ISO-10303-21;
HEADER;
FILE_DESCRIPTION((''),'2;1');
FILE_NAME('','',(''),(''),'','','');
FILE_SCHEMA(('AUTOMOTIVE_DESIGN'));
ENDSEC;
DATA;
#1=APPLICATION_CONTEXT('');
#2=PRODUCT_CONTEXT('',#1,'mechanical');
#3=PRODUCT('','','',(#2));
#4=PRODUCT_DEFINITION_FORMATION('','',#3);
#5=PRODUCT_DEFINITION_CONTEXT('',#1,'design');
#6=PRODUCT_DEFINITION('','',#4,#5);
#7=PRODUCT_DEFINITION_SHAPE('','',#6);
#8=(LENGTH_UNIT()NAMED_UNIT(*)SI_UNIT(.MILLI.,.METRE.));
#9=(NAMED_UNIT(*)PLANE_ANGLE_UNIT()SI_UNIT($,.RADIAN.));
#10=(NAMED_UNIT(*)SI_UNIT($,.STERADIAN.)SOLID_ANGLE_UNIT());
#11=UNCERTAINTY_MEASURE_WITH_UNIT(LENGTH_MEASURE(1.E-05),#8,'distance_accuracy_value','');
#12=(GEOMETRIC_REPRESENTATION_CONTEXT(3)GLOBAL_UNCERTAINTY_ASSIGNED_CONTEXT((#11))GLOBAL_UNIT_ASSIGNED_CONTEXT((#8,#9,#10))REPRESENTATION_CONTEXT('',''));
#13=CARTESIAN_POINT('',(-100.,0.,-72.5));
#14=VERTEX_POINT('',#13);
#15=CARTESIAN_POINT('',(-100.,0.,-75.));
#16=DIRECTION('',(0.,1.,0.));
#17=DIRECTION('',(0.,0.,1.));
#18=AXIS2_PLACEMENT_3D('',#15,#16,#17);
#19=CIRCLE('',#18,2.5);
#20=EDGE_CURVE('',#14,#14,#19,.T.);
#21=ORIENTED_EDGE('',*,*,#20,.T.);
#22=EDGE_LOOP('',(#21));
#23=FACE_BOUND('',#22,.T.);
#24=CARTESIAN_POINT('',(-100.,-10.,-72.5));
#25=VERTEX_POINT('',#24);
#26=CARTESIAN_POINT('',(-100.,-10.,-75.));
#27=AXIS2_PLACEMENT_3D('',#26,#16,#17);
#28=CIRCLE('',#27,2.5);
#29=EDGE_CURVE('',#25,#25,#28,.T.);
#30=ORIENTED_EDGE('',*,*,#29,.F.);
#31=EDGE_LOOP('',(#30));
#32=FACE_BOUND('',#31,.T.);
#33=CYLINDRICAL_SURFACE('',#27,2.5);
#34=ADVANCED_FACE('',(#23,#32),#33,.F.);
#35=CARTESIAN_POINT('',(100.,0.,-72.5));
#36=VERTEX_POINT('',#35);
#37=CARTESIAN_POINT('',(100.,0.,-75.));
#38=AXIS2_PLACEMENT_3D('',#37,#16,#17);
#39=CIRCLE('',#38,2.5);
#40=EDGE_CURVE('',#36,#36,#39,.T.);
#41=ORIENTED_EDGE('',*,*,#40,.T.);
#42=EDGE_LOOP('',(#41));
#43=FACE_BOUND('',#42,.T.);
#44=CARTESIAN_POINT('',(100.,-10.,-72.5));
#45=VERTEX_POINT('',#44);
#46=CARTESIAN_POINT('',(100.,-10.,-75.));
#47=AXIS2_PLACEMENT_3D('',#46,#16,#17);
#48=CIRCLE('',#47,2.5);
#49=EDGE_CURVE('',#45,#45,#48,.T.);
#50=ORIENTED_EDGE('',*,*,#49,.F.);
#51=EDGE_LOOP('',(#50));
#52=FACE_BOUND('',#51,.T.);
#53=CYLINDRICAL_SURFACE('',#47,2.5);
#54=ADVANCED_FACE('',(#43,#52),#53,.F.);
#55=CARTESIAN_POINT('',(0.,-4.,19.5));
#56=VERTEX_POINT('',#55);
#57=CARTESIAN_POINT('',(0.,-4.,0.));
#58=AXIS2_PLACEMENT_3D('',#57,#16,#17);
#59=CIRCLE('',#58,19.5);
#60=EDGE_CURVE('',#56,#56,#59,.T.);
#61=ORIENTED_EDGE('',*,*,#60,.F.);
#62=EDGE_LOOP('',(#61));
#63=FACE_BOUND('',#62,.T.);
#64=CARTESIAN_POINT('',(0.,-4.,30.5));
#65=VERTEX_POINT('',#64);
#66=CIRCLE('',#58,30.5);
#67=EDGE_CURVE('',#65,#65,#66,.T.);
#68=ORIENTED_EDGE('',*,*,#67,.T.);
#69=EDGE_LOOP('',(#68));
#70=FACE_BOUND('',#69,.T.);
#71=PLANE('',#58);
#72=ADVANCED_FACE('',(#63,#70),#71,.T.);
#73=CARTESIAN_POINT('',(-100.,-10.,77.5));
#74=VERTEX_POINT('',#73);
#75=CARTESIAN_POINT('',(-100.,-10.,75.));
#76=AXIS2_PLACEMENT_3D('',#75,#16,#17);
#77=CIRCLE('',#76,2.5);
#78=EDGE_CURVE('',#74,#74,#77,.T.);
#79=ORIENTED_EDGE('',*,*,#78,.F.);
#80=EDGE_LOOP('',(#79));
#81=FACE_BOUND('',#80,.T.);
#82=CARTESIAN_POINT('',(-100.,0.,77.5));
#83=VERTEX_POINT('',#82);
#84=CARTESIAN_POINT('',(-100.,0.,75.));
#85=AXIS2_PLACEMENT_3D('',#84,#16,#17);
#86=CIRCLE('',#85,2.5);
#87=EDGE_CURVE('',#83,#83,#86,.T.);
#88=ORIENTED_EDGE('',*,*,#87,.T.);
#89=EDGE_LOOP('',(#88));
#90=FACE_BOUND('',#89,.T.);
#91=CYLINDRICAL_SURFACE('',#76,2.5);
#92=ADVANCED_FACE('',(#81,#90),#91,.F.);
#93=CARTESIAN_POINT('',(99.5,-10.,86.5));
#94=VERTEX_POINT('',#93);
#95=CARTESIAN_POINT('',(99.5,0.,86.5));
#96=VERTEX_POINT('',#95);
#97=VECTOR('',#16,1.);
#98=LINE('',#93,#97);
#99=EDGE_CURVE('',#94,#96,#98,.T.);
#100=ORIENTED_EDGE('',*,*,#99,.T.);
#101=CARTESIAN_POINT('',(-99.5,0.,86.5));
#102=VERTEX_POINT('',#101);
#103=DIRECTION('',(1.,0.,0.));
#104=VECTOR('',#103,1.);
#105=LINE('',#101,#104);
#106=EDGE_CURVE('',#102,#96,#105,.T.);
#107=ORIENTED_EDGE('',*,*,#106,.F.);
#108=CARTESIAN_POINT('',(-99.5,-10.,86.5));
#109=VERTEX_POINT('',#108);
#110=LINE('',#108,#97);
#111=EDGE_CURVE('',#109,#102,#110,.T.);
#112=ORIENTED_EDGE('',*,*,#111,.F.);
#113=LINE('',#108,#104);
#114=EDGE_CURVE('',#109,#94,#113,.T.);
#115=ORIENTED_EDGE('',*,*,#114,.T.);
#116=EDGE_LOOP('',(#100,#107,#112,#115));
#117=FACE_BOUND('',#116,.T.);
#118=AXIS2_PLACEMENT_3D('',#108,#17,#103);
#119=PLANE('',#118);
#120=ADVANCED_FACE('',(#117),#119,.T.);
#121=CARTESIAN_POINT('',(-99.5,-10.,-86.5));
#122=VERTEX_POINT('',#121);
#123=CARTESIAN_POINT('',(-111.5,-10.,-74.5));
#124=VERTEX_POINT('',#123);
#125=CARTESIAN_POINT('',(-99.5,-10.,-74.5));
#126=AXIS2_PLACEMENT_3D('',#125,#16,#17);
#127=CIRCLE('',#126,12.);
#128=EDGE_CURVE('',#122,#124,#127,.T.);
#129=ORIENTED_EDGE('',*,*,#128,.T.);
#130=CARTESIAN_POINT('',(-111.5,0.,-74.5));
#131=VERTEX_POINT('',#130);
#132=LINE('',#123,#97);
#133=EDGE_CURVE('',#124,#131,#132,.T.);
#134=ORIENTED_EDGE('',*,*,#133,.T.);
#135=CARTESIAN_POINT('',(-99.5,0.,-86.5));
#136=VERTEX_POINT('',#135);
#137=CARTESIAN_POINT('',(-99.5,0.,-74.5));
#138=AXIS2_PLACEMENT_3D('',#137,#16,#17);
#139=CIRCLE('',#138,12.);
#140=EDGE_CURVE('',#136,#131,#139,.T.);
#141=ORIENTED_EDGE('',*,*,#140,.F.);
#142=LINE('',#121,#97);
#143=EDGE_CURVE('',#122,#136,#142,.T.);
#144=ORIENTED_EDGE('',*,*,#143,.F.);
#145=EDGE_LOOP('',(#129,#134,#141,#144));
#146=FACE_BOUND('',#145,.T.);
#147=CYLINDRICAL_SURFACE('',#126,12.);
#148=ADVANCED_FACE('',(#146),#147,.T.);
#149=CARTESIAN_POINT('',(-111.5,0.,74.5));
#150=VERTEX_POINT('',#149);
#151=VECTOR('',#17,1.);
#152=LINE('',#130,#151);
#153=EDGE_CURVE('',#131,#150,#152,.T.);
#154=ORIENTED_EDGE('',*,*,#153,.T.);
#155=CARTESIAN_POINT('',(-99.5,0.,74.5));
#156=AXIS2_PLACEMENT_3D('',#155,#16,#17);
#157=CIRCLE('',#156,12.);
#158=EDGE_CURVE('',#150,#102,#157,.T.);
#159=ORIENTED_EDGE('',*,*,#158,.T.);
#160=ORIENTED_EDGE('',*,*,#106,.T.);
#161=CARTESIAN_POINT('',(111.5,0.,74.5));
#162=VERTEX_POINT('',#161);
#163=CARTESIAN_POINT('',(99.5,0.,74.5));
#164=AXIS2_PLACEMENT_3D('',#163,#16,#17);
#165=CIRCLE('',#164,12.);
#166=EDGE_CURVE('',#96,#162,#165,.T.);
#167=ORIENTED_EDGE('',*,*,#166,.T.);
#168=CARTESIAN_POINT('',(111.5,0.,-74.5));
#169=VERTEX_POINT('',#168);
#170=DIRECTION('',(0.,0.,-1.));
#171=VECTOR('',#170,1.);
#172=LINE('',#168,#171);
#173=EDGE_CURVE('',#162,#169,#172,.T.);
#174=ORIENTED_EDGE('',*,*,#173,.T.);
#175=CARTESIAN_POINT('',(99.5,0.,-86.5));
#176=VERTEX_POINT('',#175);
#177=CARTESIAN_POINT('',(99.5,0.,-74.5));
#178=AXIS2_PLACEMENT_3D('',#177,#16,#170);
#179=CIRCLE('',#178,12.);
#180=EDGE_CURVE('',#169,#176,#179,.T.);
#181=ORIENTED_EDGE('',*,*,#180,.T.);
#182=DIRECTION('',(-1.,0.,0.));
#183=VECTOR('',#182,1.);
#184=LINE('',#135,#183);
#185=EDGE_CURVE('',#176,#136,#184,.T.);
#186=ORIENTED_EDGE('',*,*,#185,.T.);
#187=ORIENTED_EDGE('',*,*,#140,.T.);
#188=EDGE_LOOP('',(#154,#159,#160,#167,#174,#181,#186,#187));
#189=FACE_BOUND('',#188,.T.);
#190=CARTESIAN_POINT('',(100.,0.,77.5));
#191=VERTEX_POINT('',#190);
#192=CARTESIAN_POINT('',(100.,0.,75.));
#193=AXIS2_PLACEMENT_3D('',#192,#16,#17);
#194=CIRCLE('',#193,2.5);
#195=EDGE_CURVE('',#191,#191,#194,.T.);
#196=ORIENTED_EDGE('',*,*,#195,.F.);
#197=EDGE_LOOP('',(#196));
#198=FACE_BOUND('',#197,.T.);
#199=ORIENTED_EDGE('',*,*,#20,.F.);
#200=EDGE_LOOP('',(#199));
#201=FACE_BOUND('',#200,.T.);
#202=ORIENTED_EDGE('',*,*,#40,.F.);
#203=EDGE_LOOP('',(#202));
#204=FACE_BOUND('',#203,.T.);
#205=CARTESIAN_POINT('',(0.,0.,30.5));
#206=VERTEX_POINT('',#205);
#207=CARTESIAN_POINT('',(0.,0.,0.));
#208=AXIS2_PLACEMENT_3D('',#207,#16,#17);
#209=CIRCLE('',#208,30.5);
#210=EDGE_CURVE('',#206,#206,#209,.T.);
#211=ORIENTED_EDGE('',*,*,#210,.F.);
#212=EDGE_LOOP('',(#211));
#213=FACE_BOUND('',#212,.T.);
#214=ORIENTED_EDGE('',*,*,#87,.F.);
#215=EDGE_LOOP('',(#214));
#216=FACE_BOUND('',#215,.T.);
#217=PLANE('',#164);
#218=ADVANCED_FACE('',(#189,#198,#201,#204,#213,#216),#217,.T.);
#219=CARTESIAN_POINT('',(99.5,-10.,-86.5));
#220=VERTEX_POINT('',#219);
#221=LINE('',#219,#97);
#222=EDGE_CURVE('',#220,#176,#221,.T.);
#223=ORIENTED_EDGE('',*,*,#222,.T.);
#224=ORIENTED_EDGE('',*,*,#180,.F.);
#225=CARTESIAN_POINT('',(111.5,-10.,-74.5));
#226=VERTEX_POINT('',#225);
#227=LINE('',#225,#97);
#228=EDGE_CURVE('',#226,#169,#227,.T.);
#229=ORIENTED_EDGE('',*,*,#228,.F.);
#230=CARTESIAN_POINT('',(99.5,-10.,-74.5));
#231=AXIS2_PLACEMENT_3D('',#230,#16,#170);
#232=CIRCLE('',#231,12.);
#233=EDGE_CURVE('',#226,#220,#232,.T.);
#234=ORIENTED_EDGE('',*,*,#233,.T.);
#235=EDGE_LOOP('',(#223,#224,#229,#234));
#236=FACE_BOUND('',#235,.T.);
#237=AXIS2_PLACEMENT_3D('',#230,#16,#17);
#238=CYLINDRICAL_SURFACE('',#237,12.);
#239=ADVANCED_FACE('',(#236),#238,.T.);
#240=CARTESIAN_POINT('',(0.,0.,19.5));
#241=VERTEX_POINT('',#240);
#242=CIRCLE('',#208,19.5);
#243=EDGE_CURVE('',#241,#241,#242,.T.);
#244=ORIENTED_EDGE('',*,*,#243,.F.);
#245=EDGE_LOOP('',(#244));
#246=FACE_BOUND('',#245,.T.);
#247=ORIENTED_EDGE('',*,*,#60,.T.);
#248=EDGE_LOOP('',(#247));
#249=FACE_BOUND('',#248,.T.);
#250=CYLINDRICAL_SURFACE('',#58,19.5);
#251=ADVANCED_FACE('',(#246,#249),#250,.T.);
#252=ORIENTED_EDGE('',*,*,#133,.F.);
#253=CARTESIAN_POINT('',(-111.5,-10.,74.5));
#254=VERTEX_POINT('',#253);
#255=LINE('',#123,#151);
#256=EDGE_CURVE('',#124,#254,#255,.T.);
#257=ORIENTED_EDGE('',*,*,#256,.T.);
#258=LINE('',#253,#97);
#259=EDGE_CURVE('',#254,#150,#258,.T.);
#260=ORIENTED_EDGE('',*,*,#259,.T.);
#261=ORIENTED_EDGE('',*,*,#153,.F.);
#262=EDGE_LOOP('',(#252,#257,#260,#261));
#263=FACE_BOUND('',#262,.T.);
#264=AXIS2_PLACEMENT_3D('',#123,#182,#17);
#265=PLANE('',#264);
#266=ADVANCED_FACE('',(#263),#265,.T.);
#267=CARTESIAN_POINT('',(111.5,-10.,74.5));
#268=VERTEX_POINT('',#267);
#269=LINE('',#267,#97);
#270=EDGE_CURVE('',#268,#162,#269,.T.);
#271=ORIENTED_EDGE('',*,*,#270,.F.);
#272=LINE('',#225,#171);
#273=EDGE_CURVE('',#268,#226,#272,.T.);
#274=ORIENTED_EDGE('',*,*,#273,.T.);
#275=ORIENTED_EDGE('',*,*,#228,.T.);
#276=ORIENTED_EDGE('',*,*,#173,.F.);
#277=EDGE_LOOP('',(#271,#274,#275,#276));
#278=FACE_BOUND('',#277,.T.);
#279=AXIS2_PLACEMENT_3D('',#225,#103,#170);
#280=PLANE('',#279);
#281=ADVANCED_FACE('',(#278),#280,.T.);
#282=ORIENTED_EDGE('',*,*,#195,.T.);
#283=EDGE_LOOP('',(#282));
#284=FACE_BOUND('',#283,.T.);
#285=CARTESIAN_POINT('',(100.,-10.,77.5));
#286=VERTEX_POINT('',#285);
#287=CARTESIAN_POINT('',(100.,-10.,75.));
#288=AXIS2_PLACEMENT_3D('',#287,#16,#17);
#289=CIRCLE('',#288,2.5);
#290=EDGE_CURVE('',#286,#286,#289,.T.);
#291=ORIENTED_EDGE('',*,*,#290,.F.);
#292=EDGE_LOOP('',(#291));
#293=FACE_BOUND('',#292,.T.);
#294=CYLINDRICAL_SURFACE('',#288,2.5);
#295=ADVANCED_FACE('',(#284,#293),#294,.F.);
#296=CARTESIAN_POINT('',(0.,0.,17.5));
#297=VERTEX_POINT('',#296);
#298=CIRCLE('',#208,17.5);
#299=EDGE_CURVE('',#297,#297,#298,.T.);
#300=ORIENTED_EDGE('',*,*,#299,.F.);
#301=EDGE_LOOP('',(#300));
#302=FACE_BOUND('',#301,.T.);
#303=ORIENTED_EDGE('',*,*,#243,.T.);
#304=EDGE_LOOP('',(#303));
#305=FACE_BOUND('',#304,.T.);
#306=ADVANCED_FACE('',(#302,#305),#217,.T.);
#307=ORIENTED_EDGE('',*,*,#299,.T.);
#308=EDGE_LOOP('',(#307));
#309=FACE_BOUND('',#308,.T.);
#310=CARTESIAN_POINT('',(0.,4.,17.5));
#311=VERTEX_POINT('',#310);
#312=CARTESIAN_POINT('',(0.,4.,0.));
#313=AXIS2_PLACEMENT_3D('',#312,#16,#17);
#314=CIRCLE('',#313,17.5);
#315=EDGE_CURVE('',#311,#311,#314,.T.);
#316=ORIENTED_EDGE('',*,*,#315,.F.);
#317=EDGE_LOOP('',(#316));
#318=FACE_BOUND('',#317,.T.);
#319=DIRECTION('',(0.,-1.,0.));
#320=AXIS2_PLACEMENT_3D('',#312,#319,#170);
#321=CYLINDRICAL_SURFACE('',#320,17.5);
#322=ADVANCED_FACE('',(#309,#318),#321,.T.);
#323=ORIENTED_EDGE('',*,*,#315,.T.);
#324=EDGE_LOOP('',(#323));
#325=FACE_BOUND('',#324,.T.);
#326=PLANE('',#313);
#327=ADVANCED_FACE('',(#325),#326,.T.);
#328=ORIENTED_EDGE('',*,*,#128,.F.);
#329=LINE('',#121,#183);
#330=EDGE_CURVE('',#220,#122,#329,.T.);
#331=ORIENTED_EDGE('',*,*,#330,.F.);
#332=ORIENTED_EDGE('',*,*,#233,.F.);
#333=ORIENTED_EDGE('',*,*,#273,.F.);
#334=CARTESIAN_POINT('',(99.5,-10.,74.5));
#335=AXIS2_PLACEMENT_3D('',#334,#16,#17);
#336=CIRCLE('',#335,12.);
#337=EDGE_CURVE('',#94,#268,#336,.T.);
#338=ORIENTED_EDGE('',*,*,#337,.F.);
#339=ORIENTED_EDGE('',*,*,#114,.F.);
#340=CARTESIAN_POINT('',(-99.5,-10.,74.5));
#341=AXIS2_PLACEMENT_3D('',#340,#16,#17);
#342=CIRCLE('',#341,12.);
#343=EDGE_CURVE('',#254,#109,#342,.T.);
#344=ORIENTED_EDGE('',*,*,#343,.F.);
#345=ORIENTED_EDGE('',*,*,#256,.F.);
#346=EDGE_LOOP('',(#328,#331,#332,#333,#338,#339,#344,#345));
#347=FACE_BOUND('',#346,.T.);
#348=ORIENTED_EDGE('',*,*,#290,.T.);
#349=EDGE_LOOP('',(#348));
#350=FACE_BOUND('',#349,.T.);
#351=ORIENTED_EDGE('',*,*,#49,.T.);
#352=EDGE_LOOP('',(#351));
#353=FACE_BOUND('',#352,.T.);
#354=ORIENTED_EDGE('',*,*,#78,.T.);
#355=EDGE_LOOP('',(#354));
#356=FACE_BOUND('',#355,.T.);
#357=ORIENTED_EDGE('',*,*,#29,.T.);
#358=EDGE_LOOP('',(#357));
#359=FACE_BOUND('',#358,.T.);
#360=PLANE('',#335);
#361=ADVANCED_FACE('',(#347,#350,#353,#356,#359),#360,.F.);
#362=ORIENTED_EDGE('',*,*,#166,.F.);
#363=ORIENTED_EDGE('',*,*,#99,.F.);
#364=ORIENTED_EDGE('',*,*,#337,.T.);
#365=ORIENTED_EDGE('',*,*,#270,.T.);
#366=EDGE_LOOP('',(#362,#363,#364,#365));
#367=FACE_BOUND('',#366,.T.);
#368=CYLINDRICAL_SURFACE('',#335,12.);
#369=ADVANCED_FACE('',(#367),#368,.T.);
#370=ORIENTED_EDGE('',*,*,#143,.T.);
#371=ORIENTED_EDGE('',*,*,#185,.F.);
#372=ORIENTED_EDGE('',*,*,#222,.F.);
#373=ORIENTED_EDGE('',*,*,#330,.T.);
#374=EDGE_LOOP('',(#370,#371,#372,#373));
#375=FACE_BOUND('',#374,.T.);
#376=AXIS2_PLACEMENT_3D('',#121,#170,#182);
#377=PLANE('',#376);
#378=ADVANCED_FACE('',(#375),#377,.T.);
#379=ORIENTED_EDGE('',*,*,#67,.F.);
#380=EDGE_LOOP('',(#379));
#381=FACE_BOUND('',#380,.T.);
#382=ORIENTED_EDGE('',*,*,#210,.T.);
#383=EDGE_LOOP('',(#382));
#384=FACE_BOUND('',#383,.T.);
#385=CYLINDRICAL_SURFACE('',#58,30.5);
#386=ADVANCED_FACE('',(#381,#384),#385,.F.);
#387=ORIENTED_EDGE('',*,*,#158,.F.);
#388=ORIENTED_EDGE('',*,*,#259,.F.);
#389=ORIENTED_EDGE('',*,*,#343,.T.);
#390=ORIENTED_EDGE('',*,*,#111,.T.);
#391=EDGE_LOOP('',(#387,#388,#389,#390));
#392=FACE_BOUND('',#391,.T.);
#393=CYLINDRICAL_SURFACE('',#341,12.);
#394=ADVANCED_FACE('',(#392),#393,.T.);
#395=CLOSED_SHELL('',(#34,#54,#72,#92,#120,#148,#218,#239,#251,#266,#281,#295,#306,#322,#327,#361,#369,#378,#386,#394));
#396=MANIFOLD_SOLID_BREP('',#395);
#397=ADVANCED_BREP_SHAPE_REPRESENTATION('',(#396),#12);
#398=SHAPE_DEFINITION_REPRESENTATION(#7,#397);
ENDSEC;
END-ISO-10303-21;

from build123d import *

# Parameters (mm, degrees)
SKETCH1_R           = 2.5
BOSS_EXTRUDE1_DEPTH = 10
SKETCH2_R           = 30.5
SKETCH2_R_2         = 19.5
CUT_EXTRUDE1_DEPTH  = 4
SKETCH3_R           = 17.5
BOSS_EXTRUDE2_DEPTH = 4


with BuildPart() as part:
    # Sketch1 → Boss-Extrude1 (new body)
    with BuildSketch(Plane(origin=(0, 0, 0), x_dir=(1, 0, 0), z_dir=(0, 1, 0))):
        with BuildLine():
            Line((-99.5, 86.5), (99.5, 86.5))
            ThreePointArc((99.5, 86.5), (107.985281374, 82.985281374), (111.5, 74.5))
            Line((111.5, 74.5), (111.5, -74.5))
            ThreePointArc((111.5, -74.5), (107.985281374, -82.985281374), (99.5, -86.5))
            Line((99.5, -86.5), (-99.5, -86.5))
            ThreePointArc((-99.5, -86.5), (-107.985281374, -82.985281374), (-111.5, -74.5))
            Line((-111.5, -74.5), (-111.5, 74.5))
            ThreePointArc((-111.5, 74.5), (-107.985281374, 82.985281374), (-99.5, 86.5))
        make_face()
        with Locations(Location((100, 75, 0), (0, 0, 270))):
            Circle(SKETCH1_R, mode=Mode.SUBTRACT)
        with Locations(Location((100, -75, 0), (0, 0, 270))):
            Circle(SKETCH1_R, mode=Mode.SUBTRACT)
        with Locations(Location((-100, -75, 0), (0, 0, 270))):
            Circle(SKETCH1_R, mode=Mode.SUBTRACT)
        with Locations(Location((-100, 75, 0), (0, 0, 270))):
            Circle(SKETCH1_R, mode=Mode.SUBTRACT)
    extrude(amount=-BOSS_EXTRUDE1_DEPTH)

    # Sketch2 → Cut-Extrude1 (cut)
    with BuildSketch(Plane(origin=(0, 0, 0), x_dir=(1, 0, 0), z_dir=(0, 1, 0))):
        with Locations(Location((0, 0, 0), (0, 0, 270))):
            Circle(SKETCH2_R)
        with Locations(Location((0, 0, 0), (0, 0, 270))):
            Circle(SKETCH2_R_2, mode=Mode.SUBTRACT)
    extrude(amount=-CUT_EXTRUDE1_DEPTH, mode=Mode.SUBTRACT)

    # Sketch3 → Boss-Extrude2 (add)
    with BuildSketch(Plane(origin=(0, 0, 0), x_dir=(1, 0, 0), z_dir=(0, 1, 0))):
        with Locations(Location((0, 0, 0), (0, 0, 270))):
            Circle(SKETCH3_R)
    extrude(amount=BOSS_EXTRUDE2_DEPTH)


solid = part.part
